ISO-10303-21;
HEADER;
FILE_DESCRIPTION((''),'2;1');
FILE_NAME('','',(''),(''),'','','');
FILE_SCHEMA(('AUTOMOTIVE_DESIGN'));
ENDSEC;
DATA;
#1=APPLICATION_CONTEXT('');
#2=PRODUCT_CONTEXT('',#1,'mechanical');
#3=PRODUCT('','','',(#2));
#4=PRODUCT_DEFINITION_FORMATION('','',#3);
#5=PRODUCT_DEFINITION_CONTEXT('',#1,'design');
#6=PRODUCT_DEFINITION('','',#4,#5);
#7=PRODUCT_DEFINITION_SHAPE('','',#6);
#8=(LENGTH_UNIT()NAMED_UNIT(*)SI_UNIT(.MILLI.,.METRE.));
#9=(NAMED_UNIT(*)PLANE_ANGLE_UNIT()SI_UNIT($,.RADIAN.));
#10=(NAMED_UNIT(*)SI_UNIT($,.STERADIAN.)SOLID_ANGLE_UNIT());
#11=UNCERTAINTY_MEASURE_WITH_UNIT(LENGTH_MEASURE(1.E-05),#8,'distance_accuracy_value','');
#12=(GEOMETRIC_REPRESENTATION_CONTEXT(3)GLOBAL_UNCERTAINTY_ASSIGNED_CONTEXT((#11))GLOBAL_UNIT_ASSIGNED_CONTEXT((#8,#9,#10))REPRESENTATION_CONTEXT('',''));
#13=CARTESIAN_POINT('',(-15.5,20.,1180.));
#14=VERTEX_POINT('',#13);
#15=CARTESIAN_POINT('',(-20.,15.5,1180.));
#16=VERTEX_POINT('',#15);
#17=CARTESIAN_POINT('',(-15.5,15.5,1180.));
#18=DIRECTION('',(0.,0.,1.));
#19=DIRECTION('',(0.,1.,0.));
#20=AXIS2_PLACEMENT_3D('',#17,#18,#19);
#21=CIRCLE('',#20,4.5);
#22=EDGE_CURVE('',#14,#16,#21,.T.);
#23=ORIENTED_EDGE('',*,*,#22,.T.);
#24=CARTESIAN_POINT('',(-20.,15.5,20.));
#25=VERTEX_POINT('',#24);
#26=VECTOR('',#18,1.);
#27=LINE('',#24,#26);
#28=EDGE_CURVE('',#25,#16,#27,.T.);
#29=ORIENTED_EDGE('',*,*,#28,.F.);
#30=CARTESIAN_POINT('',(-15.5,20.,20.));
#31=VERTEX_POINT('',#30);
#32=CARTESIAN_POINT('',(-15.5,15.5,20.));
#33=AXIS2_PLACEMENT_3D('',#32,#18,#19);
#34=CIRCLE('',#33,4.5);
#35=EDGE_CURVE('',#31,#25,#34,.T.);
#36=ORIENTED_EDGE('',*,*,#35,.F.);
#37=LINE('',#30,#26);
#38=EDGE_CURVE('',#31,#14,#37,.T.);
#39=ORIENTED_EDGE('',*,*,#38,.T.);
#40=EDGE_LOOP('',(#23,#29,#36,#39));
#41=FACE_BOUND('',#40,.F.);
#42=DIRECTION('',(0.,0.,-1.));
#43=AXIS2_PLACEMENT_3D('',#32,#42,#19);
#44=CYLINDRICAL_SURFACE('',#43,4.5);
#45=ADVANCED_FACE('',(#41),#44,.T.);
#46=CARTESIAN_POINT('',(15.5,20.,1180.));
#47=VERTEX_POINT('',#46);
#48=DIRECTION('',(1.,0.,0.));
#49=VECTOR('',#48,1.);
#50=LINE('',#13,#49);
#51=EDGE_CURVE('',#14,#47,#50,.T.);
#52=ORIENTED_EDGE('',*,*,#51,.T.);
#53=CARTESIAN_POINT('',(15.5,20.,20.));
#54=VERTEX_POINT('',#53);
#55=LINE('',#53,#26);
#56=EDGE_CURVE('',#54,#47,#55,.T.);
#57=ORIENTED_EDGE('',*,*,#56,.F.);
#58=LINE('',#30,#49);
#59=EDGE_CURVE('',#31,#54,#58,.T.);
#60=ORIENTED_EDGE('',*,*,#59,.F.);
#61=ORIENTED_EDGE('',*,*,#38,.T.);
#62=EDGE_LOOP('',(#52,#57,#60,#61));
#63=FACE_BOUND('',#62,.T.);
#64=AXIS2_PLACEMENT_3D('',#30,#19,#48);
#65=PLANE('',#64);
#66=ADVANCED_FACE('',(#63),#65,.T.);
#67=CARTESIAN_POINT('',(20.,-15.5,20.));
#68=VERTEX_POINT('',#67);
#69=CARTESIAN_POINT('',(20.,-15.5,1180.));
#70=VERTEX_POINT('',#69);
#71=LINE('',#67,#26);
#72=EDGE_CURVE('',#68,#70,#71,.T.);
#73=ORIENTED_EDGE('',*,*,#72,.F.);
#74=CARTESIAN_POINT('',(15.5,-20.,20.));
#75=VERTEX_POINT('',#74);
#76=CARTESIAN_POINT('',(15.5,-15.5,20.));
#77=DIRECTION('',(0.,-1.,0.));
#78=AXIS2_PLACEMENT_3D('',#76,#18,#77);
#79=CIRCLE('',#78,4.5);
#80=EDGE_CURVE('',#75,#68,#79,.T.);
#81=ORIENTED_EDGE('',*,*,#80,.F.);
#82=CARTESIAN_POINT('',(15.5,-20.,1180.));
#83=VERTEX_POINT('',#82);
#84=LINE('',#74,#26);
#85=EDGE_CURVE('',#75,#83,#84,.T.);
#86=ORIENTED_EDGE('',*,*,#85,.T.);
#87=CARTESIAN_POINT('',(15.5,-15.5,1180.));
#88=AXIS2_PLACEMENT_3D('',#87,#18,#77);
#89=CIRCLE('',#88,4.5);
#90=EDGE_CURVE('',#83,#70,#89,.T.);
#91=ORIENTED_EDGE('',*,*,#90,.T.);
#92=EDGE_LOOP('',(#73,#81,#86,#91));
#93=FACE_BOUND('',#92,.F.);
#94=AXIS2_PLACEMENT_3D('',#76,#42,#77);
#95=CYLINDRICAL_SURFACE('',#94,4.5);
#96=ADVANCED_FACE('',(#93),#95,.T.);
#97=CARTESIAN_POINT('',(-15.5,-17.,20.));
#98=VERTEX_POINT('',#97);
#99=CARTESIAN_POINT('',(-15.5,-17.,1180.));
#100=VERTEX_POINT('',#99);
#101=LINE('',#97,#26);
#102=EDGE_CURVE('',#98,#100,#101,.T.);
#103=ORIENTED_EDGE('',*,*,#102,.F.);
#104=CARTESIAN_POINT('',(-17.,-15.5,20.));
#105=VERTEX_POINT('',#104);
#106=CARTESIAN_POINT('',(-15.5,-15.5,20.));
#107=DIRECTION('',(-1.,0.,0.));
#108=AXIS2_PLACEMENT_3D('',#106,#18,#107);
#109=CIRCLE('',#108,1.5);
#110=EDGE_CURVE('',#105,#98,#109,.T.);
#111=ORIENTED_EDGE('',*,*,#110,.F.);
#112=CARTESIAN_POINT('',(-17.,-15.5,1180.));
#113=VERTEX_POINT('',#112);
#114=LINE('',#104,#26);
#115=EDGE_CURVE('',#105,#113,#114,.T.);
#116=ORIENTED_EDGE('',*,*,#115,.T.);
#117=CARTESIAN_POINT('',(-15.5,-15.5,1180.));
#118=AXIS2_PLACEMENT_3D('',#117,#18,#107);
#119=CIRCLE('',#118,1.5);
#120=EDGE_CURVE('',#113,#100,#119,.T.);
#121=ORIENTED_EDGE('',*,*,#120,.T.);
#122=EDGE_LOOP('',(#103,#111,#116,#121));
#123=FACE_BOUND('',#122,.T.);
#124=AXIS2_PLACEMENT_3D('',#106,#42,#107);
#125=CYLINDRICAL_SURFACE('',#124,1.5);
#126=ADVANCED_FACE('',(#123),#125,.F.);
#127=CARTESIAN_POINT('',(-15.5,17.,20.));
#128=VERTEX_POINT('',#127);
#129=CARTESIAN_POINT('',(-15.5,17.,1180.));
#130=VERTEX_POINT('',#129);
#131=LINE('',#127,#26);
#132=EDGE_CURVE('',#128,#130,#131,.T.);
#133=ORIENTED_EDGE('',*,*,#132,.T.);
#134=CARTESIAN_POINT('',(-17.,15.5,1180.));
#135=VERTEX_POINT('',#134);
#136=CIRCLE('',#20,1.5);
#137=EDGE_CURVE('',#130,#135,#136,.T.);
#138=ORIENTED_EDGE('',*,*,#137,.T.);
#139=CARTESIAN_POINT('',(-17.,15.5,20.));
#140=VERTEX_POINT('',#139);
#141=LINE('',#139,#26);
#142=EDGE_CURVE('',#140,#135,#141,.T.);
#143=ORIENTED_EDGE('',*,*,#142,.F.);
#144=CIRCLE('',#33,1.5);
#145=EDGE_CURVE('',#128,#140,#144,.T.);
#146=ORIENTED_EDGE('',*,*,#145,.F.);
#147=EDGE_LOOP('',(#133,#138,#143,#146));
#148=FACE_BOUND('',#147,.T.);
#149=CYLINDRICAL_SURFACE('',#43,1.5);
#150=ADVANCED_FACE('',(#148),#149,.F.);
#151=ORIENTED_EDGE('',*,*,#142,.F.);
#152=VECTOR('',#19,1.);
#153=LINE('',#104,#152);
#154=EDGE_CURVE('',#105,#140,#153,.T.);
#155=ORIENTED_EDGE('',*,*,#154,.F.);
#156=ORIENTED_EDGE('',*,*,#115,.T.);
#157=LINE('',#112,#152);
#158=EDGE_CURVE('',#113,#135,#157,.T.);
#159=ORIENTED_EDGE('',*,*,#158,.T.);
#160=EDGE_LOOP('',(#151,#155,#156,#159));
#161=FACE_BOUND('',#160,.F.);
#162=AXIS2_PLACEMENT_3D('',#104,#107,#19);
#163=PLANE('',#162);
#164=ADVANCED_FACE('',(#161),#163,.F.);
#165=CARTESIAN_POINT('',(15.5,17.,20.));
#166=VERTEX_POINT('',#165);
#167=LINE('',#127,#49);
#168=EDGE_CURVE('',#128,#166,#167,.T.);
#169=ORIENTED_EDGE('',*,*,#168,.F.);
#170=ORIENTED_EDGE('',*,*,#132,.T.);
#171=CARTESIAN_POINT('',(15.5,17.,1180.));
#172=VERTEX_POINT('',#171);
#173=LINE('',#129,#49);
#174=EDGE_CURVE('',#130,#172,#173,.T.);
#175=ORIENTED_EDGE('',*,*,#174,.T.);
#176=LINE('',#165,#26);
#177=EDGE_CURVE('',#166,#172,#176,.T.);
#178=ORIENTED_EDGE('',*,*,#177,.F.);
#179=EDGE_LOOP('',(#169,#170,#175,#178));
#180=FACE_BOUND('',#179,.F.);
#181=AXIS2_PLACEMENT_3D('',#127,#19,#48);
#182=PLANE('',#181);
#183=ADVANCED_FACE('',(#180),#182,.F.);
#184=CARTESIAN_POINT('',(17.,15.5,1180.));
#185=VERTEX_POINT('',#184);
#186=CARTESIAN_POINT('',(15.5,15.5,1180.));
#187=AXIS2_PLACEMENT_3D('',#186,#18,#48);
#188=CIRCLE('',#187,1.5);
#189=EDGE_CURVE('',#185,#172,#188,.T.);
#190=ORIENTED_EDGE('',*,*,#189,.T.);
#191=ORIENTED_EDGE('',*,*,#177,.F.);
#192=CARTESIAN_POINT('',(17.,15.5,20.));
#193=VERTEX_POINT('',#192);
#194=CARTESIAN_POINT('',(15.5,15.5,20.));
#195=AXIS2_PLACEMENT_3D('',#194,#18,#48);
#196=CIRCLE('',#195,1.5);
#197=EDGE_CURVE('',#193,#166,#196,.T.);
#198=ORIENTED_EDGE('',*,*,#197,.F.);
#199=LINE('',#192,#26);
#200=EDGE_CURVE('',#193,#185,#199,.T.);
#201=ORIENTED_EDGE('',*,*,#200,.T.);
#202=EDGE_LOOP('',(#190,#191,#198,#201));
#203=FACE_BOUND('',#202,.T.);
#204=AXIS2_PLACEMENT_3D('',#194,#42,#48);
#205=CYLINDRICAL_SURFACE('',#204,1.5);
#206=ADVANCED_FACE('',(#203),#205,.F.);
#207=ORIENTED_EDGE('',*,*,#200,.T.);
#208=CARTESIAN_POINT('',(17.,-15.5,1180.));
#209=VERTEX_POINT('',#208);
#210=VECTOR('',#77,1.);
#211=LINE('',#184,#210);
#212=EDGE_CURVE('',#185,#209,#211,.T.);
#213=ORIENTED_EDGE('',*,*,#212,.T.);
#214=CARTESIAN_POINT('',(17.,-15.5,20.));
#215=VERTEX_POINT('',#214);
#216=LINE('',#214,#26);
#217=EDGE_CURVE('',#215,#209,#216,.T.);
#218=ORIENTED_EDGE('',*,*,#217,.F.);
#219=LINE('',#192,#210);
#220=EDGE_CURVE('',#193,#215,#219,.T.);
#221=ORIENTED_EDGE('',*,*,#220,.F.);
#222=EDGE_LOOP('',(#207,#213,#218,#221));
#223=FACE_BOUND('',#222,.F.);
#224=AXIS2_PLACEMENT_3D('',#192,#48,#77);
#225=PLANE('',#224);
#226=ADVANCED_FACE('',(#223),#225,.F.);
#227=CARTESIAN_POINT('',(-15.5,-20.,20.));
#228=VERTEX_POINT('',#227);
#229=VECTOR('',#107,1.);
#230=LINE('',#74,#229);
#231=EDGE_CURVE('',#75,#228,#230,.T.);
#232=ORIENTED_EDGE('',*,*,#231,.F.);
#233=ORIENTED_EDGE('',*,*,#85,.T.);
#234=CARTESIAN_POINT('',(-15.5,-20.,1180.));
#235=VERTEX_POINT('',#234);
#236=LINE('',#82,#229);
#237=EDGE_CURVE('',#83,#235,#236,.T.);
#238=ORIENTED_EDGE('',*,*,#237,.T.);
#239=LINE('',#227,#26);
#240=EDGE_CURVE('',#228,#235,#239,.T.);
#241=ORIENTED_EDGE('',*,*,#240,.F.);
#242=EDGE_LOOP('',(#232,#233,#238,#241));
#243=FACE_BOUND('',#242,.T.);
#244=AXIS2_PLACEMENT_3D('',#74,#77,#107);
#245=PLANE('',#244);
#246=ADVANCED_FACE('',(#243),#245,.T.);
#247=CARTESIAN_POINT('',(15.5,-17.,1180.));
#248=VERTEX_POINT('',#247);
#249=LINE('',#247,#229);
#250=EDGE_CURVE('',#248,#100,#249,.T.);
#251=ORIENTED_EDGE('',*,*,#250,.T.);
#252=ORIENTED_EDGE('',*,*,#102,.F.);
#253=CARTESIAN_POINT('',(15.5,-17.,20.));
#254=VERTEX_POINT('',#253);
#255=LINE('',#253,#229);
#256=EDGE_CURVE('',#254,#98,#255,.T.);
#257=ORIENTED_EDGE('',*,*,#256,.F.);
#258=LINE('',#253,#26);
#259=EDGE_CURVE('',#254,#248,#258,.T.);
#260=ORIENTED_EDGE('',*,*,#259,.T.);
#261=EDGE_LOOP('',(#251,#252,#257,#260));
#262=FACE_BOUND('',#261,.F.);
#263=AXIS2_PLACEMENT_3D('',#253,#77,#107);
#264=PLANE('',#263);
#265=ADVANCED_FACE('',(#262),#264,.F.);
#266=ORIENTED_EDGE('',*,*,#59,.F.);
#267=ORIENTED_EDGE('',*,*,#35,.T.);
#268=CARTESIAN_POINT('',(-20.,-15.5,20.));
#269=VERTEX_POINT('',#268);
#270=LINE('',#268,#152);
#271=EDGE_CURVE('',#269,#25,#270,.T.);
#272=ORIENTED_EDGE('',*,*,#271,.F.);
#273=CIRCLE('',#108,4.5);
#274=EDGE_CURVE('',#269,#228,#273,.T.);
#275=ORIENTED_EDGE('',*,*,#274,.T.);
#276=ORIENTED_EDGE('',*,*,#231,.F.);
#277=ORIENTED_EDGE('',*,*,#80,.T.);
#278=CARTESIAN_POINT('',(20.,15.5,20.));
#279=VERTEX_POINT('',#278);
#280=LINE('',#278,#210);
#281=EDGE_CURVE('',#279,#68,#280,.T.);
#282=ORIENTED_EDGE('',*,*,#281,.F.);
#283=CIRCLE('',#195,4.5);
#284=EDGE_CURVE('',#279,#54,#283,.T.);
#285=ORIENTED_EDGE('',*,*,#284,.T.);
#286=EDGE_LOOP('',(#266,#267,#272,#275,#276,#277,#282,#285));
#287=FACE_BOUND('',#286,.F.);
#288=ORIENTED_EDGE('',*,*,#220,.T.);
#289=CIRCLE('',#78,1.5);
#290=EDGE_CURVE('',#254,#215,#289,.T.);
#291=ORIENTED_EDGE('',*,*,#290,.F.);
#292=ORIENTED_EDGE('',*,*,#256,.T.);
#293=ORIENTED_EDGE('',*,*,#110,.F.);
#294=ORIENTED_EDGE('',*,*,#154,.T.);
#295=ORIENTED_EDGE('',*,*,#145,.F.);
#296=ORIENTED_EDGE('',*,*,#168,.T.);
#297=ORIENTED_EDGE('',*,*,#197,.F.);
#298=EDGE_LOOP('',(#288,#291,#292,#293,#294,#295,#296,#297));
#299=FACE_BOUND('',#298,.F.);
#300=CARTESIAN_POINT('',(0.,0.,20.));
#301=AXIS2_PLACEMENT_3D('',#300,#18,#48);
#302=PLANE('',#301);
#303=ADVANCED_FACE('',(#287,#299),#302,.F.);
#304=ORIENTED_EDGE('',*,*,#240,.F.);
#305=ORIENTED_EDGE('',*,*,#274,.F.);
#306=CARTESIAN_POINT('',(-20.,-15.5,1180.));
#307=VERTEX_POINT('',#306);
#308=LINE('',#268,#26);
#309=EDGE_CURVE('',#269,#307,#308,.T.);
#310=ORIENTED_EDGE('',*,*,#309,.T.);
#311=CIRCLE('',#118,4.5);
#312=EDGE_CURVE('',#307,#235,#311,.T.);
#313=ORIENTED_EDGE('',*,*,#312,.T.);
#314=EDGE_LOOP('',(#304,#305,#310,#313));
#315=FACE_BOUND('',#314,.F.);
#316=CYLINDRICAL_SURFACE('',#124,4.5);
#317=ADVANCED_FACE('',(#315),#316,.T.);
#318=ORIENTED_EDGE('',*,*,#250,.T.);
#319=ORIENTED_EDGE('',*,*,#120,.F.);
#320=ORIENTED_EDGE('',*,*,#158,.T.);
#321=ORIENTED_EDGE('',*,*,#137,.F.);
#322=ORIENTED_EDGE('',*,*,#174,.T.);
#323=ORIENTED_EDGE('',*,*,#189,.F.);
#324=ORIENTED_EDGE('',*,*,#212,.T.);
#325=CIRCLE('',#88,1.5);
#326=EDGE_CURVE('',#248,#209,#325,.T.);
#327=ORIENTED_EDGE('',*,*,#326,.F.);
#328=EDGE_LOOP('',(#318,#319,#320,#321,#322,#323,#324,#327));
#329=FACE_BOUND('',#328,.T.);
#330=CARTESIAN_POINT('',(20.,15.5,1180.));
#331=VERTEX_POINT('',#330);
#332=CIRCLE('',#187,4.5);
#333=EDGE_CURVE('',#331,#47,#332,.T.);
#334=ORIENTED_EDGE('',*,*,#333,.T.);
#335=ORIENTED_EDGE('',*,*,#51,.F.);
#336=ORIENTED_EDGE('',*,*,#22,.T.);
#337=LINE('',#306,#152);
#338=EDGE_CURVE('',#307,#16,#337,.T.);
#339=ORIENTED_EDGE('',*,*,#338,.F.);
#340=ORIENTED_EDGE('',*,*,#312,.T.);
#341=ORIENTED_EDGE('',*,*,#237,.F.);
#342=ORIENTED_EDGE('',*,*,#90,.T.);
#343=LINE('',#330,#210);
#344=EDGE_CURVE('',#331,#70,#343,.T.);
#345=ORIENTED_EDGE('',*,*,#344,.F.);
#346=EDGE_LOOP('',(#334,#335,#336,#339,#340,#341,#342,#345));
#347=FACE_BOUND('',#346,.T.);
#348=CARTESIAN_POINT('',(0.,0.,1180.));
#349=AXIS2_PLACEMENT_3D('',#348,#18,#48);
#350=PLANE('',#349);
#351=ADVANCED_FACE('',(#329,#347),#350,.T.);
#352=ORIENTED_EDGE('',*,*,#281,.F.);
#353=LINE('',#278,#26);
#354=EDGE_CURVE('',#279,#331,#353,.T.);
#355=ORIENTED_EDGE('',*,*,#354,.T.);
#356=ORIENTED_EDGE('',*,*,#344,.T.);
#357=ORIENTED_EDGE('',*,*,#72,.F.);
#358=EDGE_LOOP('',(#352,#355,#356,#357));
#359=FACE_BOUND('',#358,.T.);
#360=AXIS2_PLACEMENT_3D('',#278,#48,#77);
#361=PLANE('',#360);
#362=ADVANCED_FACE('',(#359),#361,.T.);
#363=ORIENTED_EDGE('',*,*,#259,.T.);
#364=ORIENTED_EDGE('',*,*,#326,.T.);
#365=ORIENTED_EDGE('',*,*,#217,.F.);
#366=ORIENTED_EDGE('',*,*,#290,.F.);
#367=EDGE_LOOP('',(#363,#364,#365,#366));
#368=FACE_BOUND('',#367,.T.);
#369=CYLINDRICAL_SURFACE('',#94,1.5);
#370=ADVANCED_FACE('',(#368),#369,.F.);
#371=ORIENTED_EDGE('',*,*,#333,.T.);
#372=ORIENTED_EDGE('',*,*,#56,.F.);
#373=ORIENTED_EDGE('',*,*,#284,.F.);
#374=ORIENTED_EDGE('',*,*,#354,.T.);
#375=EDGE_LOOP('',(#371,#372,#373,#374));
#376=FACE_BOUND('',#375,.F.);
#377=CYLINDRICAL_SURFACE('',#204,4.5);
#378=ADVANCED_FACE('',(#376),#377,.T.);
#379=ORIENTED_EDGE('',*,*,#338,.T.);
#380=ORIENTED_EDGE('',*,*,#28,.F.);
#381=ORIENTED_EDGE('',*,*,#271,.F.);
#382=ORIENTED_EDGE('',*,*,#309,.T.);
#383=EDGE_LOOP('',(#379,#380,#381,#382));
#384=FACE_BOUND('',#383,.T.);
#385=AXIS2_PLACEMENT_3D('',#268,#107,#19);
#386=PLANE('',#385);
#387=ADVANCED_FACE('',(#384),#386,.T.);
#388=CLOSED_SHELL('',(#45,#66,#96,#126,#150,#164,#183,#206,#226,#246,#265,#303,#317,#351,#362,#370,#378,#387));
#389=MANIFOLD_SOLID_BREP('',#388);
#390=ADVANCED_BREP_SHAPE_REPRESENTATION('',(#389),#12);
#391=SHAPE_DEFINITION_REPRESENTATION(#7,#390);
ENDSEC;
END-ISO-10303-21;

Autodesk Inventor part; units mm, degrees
ref_plane "Start Plane" through (0, 0, 20) normal (0, 0, 1) x (1, 0, 0)
ref_plane "End Plane" through (0, 0, 1180) normal (0, 0, 1) x (1, 0, 0)
sketch "Sketch" plane through (0, 0, 0) normal (0, 0, 1) x (1, 0, 0)
  line L0 (-20, -15.5) -> (-20, 15.5)
  line L1 (-15.5, 20) -> (15.5, 20)
  line L2 (20, 15.5) -> (20, -15.5)
  line L3 (15.5, -20) -> (-15.5, -20)
  arc A0 (-20, -15.5) -> (-15.5, -20) centre (-15.5, -15.5) ccw
  arc A1 (-15.5, 20) -> (-20, 15.5) centre (-15.5, 15.5) ccw
  arc A2 (20, 15.5) -> (15.5, 20) centre (15.5, 15.5) ccw
  arc A3 (15.5, -20) -> (20, -15.5) centre (15.5, -15.5) ccw
  arc A4 (-15.5, 17) -> (-17, 15.5) centre (-15.5, 15.5) ccw
  line L4 (-15.5, 17) -> (15.5, 17)
  arc A5 (17, 15.5) -> (15.5, 17) centre (15.5, 15.5) ccw
  line L5 (17, 15.5) -> (17, -15.5)
  arc A6 (15.5, -17) -> (17, -15.5) centre (15.5, -15.5) ccw
  line L6 (15.5, -17) -> (-15.5, -17)
  arc A7 (-17, -15.5) -> (-15.5, -17) centre (-15.5, -15.5) ccw
  line L7 (-17, -15.5) -> (-17, 15.5)
  line L8 (0, 29.3048) -> (0, -29.3048) construction
  line L9 (-29.3048, 0) -> (29.3048, 0) construction
  dimension "d7" = 4.5
  dimension "d10" = 40
  dimension "d11" = 40
  dimension "d12" = 3
  dimension "d15" = 20
  dimension "d16" = 20
extrude "Body" add sketch "Sketch" along normal up to surface (1160 mm away) from surface at 20
sketch "Sketch3" plane through (0, 0, 0) normal (0, 0, 1) x (1, 0, 0)
  line L0 (0, 0) -> (10, 0)
ref_plane "Work Plane3" through (0, 0, 0) normal (0, -1, 0) x (1, 0, 0)
ref_plane "Work Plane4" through (500, -15.5, 1180) normal (0, 0, 1) x (1, 0, 0)
split "Split1" plane through (500, -15.5, 1180) removes the side toward (0, 0, 1)
ref_plane "Work Plane5" through (500, 15.5, 20) normal (0, 0, -1) x (-1, 0, 0)
split "Split2" plane through (500, 15.5, 20) removes the side toward (0, 0, -1)
sketch "Sketch4" plane through (0, 0, 0) normal (0, -1, 0) x (1, 0, 0)
  line L0 (-2, 20) -> (12, 20) projected
  line L1 (-2, 1180) -> (12, 1180) projected
  dimension "d18" = 1160
equation "\"d7\" = G_IR"
equation "\"d10\" = G_H"
equation "\"d11\" = G_W"
equation "\"d12\" = G_T"
equation "\"d15\" = 0.5 * d10"
equation "\"d16\" = 0.5 * d11"
equation "\"d3\" = G_L"
equation "\"G_W\" = 40"
equation "\"G_H\" = 40"
equation "\"G_T\" = 3"
equation "\"G_IR\" = 4.5"
equation "\"G_L\" = d18"
properties part number "ISO 12633-2 - 40x40x3 - 1160" material "Steel, Mild"
